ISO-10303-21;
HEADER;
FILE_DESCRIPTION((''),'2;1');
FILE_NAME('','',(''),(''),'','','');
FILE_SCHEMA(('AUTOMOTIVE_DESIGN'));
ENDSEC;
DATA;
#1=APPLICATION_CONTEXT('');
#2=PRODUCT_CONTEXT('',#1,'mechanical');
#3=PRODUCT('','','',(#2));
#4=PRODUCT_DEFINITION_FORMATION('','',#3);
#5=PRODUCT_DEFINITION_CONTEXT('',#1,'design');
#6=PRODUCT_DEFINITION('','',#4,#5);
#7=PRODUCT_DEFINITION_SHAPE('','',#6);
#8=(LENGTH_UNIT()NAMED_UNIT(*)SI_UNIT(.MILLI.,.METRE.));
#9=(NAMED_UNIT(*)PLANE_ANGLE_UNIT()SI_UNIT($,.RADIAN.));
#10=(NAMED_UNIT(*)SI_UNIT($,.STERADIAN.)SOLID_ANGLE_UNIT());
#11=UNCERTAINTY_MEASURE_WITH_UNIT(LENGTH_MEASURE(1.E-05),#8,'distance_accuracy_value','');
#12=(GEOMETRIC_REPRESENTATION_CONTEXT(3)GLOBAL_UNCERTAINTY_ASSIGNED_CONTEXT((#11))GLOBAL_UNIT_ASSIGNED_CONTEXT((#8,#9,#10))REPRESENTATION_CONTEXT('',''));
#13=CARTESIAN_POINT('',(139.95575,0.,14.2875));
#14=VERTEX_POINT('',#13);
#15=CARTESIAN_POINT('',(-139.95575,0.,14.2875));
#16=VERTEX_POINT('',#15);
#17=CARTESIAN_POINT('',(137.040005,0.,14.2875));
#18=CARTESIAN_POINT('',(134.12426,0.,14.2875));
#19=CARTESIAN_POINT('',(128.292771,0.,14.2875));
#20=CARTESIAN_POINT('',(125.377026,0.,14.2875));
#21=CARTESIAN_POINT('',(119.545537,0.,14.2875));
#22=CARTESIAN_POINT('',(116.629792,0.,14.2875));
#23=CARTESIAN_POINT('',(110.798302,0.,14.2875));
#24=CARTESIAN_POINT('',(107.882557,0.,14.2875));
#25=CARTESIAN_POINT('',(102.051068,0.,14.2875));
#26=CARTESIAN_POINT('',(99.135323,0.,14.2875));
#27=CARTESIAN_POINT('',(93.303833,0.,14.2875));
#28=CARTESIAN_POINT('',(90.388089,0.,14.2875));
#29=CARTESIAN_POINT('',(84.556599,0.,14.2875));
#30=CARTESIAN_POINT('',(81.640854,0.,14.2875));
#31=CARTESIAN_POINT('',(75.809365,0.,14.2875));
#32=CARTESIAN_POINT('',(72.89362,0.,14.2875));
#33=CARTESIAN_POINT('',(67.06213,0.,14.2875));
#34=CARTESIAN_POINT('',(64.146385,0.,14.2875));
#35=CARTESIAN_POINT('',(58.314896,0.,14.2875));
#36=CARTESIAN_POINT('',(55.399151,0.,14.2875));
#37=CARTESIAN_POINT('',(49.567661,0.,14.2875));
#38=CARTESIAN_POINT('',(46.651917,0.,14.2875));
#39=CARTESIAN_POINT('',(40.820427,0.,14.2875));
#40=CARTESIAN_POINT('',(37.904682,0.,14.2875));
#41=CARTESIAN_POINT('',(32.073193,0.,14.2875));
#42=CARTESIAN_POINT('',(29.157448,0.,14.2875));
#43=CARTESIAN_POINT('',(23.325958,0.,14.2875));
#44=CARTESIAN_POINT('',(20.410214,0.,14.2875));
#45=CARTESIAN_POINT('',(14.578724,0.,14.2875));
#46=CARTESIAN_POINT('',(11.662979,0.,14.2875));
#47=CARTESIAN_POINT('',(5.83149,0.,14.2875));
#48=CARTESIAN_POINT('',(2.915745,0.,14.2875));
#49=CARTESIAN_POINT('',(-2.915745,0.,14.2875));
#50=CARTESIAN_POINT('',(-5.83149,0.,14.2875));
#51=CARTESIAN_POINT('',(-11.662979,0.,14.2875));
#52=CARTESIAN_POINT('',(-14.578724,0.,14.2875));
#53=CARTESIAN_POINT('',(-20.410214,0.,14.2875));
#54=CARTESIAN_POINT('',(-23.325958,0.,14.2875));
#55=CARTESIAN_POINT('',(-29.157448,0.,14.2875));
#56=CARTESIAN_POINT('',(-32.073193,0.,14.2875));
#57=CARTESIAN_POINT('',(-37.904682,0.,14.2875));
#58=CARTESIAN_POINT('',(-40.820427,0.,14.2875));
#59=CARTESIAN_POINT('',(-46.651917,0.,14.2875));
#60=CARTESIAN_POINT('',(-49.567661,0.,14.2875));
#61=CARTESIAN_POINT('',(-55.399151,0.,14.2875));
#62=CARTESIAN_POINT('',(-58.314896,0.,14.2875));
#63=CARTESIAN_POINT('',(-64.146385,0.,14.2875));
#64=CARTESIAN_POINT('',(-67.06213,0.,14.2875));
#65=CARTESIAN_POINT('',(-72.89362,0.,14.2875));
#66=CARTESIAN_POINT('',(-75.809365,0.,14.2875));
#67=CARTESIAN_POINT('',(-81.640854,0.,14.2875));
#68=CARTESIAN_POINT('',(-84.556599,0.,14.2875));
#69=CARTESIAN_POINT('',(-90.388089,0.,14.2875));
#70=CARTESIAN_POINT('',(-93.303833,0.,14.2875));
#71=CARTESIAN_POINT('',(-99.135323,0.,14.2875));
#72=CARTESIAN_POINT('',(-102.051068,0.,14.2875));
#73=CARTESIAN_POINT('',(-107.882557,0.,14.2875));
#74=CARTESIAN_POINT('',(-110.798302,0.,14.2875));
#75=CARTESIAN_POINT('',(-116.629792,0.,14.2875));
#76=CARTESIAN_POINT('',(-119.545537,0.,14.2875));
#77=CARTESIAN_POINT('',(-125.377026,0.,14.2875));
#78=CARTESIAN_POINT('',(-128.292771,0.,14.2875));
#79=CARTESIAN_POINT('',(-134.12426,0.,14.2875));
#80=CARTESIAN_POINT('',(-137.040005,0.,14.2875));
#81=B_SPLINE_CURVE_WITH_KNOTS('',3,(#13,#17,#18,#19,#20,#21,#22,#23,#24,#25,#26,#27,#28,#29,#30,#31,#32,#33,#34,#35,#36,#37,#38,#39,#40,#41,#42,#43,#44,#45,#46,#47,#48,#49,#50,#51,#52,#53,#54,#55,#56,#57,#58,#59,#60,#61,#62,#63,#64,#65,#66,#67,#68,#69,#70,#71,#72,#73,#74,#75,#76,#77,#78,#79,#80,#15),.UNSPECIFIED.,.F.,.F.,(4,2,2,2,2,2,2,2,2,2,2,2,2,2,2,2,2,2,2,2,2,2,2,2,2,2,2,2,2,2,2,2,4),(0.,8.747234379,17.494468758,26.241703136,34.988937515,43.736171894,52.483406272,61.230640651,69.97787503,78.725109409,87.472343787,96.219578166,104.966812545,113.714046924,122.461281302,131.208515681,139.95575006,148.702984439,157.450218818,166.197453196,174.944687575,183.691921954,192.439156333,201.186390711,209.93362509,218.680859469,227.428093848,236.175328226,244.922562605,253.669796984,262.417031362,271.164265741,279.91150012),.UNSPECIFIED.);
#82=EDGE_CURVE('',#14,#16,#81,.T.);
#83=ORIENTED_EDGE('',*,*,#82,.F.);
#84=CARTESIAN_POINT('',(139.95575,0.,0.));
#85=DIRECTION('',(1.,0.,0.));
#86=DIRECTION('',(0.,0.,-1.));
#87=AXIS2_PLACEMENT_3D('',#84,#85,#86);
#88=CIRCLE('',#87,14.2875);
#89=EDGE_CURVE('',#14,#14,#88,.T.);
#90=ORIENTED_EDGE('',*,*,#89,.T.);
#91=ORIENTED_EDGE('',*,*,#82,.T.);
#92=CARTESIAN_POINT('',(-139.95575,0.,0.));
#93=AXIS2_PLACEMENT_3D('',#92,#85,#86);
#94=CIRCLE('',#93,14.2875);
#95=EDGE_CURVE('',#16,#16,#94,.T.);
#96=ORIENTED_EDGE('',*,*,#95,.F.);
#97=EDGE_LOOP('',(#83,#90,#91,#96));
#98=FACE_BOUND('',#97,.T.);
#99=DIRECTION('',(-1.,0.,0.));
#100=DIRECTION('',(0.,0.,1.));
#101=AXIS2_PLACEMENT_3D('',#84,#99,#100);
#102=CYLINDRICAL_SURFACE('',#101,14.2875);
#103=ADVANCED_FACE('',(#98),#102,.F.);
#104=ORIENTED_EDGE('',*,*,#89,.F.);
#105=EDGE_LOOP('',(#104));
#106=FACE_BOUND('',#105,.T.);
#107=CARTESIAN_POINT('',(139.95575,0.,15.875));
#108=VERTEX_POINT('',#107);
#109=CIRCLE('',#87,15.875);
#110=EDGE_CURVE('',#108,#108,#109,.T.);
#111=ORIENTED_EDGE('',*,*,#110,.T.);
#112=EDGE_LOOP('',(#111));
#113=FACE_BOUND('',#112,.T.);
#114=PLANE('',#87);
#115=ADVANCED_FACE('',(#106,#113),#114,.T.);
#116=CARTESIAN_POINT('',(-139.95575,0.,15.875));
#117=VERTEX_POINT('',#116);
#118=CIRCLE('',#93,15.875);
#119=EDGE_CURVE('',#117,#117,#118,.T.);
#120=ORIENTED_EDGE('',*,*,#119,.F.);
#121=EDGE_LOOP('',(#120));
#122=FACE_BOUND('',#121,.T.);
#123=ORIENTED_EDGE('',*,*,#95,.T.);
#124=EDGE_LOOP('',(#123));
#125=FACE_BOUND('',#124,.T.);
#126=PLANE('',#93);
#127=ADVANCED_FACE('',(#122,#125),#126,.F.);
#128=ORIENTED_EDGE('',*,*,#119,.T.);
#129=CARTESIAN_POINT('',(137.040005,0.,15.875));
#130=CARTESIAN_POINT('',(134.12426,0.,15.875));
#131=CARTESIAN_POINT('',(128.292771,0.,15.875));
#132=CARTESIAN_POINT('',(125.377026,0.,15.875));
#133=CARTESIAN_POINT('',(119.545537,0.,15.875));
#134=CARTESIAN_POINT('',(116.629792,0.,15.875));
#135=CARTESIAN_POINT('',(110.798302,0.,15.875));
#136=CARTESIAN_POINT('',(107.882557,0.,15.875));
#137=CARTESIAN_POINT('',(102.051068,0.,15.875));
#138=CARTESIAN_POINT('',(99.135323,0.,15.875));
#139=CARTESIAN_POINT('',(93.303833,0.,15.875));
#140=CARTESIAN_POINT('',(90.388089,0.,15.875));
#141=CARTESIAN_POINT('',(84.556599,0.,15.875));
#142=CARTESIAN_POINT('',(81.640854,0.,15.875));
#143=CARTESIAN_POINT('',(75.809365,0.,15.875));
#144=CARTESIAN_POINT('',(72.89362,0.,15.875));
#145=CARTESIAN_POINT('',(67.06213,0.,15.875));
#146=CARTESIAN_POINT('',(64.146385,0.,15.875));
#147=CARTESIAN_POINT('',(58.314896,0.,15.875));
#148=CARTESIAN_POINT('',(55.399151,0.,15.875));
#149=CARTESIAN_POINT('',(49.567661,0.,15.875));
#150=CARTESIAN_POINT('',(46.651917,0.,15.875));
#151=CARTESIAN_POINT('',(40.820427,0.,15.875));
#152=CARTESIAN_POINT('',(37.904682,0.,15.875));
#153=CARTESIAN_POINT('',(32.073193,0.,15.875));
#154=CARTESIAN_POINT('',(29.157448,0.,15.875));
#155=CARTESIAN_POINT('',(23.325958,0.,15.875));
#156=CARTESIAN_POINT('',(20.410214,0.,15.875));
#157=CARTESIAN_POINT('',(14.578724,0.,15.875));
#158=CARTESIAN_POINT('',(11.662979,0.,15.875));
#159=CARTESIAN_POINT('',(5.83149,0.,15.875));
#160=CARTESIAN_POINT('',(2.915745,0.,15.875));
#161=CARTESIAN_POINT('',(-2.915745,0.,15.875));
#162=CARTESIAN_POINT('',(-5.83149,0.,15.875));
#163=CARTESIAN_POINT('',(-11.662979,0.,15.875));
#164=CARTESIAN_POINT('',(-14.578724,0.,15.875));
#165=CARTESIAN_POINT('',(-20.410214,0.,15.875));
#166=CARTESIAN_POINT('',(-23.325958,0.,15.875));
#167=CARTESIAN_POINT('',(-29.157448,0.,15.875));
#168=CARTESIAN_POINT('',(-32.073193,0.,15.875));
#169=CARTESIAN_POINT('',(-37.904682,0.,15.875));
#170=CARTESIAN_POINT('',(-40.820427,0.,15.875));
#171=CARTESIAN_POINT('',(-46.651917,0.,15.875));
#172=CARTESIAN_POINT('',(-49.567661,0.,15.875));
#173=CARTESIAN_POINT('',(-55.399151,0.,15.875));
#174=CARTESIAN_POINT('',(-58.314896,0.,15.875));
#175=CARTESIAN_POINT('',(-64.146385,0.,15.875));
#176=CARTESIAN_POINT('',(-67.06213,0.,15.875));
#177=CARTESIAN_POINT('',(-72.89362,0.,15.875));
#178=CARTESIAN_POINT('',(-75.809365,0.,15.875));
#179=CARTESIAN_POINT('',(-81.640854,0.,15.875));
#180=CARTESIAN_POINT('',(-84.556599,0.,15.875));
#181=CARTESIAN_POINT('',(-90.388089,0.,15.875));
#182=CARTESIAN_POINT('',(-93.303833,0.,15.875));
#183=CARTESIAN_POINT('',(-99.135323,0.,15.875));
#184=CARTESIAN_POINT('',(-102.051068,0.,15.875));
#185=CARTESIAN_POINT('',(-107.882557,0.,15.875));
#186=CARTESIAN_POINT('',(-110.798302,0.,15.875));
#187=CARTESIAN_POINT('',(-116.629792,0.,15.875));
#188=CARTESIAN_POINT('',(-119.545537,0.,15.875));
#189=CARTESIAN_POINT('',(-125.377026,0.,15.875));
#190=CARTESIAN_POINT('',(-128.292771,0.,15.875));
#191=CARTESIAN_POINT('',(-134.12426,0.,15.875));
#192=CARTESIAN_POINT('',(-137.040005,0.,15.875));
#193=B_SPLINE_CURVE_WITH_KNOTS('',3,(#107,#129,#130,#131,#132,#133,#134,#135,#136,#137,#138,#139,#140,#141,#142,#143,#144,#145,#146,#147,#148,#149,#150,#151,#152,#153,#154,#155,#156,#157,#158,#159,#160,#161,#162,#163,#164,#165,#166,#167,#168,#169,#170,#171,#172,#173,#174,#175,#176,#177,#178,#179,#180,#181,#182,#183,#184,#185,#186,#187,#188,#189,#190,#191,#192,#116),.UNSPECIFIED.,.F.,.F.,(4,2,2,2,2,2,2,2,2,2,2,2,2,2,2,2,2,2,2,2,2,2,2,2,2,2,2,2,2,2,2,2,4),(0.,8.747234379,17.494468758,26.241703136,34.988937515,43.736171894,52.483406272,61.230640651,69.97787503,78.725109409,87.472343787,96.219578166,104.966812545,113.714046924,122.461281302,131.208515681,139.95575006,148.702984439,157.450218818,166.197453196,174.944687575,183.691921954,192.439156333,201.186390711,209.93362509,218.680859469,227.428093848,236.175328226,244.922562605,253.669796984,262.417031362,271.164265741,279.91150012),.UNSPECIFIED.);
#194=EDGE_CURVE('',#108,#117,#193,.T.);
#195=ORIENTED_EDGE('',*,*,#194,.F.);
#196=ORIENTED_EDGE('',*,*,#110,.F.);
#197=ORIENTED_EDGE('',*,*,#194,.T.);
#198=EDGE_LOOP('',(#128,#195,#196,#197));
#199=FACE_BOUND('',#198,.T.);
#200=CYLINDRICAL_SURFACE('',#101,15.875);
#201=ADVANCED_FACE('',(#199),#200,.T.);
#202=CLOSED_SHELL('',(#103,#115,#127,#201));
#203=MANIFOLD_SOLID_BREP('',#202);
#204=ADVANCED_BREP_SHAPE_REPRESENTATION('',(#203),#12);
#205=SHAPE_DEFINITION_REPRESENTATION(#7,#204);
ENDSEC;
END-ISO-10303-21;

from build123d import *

# Parameters (mm, degrees)
SKETCH1_R           = 15.875
SKETCH1_R_2         = 14.2875
EXTRUDE_THIN1_DEPTH = 139.95575006


with BuildPart() as part:
    # Sketch1 → Extrude-Thin1 (new, symmetric)
    with BuildSketch(Plane(origin=(0, 0, 0), x_dir=(0, 0, -1), z_dir=(1, 0, 0))):
        Circle(SKETCH1_R)
        Circle(SKETCH1_R_2, mode=Mode.SUBTRACT)
    extrude(amount=EXTRUDE_THIN1_DEPTH, both=True)


solid = part.part
